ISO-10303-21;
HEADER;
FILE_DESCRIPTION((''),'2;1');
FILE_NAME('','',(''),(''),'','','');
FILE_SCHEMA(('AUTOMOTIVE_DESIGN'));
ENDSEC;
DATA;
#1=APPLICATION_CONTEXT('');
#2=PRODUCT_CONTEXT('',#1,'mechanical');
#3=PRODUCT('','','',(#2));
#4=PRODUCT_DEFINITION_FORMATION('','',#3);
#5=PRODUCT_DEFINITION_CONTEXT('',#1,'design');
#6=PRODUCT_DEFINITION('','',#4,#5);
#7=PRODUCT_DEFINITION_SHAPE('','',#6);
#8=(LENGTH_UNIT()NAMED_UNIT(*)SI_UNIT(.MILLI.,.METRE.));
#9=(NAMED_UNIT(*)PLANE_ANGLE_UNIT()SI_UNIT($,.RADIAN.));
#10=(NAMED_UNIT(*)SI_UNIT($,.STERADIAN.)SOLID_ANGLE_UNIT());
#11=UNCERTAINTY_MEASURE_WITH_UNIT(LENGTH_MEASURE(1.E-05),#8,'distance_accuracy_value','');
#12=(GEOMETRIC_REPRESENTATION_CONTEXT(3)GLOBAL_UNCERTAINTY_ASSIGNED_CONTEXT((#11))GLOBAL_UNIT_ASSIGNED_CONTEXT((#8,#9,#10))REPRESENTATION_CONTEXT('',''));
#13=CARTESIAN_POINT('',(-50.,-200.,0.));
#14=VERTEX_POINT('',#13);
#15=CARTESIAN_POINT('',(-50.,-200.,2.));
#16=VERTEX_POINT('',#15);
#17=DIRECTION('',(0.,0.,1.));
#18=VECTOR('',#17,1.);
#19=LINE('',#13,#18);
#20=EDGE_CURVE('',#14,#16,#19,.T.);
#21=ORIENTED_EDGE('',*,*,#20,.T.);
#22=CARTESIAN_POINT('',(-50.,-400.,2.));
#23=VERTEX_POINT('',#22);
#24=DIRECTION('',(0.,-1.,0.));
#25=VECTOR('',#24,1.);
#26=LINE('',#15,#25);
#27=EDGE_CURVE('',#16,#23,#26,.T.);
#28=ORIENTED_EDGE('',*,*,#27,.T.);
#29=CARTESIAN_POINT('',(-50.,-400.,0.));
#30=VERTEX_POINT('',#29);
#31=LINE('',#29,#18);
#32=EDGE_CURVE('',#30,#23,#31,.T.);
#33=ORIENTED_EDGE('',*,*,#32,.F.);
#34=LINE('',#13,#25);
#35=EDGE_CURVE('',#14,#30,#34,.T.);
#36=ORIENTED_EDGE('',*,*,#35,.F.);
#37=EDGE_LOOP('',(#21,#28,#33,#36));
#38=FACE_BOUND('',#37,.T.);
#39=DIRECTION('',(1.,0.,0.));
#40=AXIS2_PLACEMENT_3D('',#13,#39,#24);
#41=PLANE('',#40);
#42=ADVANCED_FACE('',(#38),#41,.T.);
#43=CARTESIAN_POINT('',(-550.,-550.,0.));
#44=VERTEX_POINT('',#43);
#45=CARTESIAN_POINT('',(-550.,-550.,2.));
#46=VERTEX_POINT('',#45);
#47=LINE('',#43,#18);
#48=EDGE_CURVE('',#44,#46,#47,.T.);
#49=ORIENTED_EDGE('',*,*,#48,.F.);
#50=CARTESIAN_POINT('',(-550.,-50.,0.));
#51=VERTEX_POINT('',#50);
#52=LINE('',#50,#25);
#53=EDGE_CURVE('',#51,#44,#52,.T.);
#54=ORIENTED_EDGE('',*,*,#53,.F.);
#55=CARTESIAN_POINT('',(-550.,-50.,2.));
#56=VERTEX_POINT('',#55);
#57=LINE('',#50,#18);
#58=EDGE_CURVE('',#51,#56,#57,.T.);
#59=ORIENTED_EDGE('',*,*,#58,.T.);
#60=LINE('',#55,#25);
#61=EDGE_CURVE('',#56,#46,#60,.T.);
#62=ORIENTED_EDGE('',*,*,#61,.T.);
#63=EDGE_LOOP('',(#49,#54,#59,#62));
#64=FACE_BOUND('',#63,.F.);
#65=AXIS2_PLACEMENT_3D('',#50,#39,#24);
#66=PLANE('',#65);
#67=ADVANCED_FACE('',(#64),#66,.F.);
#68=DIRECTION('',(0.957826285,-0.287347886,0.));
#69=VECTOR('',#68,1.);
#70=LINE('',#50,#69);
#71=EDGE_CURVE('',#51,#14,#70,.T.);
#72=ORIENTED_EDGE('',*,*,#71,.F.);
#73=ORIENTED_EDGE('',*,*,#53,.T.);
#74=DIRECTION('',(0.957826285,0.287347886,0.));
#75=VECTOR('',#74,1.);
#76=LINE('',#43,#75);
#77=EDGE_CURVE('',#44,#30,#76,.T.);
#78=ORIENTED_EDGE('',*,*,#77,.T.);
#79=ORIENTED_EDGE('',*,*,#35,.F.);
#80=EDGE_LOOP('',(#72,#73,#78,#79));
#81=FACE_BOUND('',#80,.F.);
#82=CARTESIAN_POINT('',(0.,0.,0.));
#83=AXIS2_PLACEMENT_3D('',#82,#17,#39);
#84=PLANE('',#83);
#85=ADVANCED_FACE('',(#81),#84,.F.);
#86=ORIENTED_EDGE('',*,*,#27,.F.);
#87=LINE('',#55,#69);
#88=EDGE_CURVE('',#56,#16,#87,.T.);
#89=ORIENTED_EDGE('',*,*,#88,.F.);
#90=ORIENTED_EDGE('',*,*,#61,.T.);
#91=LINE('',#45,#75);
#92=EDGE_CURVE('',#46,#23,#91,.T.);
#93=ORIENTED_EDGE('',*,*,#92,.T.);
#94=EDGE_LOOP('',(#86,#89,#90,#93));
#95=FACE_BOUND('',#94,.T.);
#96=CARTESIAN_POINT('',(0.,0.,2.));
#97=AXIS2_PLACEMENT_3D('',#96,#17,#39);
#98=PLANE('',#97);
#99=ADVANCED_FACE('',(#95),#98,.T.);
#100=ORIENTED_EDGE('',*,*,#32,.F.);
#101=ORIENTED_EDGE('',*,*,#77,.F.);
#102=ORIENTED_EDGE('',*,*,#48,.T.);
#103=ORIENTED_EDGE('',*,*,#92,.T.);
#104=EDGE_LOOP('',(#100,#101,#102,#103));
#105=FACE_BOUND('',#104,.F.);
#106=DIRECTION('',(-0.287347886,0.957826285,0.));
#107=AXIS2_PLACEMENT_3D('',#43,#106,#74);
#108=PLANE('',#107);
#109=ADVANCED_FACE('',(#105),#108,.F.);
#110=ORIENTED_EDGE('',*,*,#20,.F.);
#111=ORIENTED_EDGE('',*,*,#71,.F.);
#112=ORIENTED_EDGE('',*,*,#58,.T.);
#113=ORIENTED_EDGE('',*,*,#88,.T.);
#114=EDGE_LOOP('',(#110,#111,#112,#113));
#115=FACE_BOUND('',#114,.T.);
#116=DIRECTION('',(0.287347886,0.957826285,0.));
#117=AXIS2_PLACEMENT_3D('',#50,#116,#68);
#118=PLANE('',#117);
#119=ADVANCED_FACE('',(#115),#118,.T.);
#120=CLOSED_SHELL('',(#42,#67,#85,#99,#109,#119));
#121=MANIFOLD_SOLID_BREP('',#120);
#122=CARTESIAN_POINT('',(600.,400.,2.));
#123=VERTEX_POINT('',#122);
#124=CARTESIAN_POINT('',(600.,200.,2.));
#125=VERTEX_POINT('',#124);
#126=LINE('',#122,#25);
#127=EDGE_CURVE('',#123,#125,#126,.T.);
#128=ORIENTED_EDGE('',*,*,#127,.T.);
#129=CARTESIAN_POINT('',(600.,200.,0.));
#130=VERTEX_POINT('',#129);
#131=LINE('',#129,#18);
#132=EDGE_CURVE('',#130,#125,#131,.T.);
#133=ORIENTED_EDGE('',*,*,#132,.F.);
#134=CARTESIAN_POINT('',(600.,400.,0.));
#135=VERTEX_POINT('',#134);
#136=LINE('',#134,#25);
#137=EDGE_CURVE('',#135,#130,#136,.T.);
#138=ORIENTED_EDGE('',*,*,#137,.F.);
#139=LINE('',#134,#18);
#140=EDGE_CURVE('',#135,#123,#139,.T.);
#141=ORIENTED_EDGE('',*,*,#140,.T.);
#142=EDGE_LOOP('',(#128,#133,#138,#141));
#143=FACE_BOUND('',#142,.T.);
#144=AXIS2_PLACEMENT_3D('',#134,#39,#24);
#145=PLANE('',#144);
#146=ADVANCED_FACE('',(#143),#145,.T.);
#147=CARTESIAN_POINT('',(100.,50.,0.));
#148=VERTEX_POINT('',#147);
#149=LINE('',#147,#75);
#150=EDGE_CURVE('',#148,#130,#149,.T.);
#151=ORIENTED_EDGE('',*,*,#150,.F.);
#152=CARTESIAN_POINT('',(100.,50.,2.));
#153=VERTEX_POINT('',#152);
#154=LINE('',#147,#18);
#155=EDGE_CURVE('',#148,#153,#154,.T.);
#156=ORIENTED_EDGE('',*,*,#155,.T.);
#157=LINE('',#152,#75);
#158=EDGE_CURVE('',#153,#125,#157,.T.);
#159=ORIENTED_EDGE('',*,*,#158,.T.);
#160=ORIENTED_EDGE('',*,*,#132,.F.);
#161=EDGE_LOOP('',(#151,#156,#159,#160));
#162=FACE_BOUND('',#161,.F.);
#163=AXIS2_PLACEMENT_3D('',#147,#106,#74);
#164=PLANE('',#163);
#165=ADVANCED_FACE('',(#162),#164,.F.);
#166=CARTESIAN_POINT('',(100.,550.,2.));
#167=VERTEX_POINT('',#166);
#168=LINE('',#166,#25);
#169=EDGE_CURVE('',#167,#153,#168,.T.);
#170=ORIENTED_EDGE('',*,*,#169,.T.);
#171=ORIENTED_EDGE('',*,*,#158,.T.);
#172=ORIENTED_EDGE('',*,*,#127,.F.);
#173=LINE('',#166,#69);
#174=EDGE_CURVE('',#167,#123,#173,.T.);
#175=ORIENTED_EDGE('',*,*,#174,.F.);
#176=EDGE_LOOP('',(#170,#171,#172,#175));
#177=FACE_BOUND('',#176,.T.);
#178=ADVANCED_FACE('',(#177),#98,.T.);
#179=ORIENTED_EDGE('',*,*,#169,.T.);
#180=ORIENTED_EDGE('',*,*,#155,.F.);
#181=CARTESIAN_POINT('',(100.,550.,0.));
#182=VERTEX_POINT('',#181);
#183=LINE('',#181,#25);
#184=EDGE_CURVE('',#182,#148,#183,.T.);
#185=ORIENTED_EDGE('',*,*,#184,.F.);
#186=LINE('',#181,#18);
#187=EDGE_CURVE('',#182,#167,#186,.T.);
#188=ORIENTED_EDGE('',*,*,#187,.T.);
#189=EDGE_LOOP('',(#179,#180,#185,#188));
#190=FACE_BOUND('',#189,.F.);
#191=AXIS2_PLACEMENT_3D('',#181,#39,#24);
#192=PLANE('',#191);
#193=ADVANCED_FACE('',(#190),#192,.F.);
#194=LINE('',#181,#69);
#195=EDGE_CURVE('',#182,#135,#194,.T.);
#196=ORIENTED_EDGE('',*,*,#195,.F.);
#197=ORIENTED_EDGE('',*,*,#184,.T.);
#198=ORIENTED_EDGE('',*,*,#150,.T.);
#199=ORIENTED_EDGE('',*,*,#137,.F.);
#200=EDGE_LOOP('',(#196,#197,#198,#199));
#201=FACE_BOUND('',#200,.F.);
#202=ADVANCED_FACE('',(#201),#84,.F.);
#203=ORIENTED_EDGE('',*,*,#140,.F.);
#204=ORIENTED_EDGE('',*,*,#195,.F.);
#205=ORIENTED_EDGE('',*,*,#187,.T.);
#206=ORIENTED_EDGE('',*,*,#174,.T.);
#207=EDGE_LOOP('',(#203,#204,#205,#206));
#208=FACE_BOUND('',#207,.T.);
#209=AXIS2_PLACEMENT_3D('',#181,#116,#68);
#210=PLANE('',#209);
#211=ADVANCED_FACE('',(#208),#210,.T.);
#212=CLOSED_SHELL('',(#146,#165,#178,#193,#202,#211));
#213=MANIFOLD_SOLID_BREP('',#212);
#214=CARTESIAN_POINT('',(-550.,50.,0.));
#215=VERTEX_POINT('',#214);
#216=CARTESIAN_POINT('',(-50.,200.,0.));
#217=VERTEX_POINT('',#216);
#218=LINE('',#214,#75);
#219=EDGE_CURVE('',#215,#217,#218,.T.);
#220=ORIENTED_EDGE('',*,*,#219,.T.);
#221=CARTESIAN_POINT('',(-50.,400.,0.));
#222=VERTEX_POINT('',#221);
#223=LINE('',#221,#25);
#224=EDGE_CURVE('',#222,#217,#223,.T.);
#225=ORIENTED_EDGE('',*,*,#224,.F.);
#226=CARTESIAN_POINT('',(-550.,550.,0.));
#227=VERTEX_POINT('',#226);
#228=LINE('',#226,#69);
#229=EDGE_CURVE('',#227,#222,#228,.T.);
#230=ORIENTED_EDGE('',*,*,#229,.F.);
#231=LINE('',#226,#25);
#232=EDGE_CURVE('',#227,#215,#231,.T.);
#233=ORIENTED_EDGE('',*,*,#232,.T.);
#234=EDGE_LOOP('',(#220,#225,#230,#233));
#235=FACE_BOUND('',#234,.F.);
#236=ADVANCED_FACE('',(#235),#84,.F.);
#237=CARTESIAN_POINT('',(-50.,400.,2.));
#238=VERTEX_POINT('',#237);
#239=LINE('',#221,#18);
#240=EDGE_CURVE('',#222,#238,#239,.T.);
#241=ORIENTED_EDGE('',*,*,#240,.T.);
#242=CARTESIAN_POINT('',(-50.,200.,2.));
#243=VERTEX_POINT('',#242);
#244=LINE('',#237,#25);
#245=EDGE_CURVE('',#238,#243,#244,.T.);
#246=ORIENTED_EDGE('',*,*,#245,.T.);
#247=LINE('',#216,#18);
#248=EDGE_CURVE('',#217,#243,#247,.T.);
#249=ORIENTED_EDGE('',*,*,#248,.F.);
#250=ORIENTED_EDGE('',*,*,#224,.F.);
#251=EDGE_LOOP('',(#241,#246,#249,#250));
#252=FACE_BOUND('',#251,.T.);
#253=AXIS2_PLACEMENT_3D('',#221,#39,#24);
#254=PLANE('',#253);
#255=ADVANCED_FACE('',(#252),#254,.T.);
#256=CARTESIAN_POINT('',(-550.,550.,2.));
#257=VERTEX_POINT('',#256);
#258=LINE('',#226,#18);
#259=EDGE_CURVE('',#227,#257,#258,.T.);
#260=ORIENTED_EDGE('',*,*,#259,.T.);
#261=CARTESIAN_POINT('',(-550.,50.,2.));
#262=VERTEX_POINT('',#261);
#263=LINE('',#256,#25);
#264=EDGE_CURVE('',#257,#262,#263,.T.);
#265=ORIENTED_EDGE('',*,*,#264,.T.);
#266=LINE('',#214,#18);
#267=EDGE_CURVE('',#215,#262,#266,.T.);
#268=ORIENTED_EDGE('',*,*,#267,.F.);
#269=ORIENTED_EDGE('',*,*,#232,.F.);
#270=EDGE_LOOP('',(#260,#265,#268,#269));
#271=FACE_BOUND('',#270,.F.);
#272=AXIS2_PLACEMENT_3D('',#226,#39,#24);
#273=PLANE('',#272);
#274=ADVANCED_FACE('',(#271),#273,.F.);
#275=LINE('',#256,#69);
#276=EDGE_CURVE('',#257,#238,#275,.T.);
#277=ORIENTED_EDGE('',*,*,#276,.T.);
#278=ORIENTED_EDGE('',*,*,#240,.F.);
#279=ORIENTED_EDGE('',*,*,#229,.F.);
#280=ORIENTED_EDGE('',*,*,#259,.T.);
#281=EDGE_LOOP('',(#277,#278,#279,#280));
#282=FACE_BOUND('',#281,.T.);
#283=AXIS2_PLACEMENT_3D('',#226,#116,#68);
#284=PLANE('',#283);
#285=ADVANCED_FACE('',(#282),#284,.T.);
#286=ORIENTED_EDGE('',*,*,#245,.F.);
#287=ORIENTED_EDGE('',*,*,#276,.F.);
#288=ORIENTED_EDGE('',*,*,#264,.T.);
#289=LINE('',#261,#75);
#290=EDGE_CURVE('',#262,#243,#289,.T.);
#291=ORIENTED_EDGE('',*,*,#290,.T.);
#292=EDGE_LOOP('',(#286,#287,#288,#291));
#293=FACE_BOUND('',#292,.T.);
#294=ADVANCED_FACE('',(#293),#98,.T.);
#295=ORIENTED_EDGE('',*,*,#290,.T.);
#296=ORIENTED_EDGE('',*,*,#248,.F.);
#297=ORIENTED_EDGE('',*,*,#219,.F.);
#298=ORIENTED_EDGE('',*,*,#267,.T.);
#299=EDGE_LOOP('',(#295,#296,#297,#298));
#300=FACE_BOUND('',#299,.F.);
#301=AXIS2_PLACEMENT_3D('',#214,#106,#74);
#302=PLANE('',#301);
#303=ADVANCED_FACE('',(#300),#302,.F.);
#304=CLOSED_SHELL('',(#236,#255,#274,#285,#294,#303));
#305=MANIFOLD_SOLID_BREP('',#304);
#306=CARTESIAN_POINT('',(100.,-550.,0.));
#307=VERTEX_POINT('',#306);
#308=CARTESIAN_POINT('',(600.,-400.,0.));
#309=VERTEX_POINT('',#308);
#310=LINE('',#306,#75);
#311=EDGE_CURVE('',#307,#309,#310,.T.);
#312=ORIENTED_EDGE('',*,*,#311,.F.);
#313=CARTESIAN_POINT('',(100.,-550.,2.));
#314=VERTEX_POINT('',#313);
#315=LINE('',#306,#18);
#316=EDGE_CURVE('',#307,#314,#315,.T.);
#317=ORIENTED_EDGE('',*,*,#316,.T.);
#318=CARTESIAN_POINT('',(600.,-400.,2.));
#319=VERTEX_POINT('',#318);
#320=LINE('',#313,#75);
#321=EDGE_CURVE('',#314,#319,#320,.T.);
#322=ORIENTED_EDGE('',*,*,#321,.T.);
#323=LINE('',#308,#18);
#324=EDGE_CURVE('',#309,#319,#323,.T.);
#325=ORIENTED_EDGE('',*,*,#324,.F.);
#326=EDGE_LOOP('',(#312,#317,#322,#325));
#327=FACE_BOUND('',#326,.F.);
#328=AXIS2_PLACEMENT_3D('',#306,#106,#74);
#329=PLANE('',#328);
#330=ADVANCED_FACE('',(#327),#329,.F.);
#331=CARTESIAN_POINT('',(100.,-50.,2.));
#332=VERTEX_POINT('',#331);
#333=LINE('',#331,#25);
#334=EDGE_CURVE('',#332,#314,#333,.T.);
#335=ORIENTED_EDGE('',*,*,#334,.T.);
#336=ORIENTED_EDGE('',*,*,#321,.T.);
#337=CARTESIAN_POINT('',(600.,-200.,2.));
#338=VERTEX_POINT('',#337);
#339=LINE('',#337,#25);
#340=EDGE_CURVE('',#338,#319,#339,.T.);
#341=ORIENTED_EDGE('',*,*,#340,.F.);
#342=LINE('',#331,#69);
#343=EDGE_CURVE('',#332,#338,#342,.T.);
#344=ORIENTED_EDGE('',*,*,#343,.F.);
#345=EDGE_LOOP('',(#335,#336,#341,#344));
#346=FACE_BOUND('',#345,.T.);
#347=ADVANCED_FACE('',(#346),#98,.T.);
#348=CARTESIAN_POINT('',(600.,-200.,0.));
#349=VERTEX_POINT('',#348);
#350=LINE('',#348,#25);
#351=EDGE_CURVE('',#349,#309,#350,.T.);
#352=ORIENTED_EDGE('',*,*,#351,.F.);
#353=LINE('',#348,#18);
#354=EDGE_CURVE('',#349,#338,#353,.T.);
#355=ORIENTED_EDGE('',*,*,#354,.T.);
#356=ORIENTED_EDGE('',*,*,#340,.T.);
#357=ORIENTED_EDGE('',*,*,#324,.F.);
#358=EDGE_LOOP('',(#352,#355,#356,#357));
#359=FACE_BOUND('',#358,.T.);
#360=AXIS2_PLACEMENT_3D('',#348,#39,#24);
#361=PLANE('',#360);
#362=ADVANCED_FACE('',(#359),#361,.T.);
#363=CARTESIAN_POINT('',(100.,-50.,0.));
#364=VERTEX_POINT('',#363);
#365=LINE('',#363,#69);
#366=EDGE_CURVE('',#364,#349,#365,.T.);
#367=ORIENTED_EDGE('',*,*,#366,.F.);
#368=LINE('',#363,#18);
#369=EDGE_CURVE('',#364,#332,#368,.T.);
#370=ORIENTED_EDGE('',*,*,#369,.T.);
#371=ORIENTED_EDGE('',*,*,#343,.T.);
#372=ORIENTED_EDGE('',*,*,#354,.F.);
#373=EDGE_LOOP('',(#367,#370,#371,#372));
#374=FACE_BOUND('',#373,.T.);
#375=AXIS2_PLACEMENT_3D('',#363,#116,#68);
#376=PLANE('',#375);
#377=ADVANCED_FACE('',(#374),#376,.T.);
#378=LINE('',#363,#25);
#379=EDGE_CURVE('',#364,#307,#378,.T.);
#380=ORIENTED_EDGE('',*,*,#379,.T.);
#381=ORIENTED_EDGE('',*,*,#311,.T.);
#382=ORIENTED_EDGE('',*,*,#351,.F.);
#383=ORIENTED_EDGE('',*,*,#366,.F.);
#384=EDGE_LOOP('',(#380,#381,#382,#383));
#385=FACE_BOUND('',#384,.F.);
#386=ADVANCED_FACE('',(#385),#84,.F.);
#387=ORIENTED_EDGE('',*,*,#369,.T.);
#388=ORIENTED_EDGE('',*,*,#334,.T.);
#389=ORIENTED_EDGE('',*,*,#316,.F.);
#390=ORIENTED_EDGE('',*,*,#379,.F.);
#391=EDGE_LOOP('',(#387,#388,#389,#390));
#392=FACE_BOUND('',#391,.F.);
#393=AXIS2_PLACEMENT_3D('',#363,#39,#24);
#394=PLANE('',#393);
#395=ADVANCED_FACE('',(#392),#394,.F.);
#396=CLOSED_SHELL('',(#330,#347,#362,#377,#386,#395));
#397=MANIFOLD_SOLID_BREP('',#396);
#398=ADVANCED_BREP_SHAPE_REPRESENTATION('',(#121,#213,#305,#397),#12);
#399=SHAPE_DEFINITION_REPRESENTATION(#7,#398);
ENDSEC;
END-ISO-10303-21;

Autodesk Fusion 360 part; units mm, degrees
sketch "Sketch1" plane through (0, 0, 0) normal (0, 0, 1) x (1, 0, 0)
  line L0 (-550, 550) -> (-550, 50)
  line L1 (-50, 400) -> (-50, 200)
  line L2 (-550, 550) -> (-50, 400)
  line L3 (-550, 50) -> (-50, 200)
  line L4 (-550, 50) -> (-50, 200)
  line L5 (-50, 400) -> (-50, 200)
  line L6 (-550, 550) -> (-50, 400)
  line L7 (-550, 550) -> (-550, 50)
  line L8 (-550, -50) -> (-550, -550)
  line L9 (-550, -50) -> (-50, -200)
  line L10 (-50, -200) -> (-50, -400)
  line L11 (-550, -550) -> (-50, -400)
  line L12 (100, -50) -> (600, -200)
  line L13 (100, -50) -> (100, -550)
  line L14 (100, -550) -> (600, -400)
  line L15 (600, -200) -> (600, -400)
  line L16 (600, 400) -> (600, 200)
  line L17 (100, 550) -> (600, 400)
  line L18 (100, 50) -> (600, 200)
  line L19 (100, 550) -> (100, 50)
  dimension "d1" = 500
  dimension "d2" = 200
  dimension "d5" = 500
  dimension "d6" = 200
  dimension "d7" = 500
  dimension "d8" = 500
  dimension "d9" = 200
  dimension "d10" = 500
  dimension "d11" = 500
  dimension "d12" = 200
  dimension "d13" = 500
  dimension "d14" = 500
  dimension "d15" = 200
extrude "Extrude2" add sketch "Sketch1" along normal blind 2 makes body 1 at (-383.3333, -266.6667, 0) makes body 2 at (266.6667, -266.6667, 0) makes body 3 at (-383.3333, 333.3333, 0) makes body 4 at (266.6667, 333.3333, 0)
extrude "Extrude1" [suppressed]
